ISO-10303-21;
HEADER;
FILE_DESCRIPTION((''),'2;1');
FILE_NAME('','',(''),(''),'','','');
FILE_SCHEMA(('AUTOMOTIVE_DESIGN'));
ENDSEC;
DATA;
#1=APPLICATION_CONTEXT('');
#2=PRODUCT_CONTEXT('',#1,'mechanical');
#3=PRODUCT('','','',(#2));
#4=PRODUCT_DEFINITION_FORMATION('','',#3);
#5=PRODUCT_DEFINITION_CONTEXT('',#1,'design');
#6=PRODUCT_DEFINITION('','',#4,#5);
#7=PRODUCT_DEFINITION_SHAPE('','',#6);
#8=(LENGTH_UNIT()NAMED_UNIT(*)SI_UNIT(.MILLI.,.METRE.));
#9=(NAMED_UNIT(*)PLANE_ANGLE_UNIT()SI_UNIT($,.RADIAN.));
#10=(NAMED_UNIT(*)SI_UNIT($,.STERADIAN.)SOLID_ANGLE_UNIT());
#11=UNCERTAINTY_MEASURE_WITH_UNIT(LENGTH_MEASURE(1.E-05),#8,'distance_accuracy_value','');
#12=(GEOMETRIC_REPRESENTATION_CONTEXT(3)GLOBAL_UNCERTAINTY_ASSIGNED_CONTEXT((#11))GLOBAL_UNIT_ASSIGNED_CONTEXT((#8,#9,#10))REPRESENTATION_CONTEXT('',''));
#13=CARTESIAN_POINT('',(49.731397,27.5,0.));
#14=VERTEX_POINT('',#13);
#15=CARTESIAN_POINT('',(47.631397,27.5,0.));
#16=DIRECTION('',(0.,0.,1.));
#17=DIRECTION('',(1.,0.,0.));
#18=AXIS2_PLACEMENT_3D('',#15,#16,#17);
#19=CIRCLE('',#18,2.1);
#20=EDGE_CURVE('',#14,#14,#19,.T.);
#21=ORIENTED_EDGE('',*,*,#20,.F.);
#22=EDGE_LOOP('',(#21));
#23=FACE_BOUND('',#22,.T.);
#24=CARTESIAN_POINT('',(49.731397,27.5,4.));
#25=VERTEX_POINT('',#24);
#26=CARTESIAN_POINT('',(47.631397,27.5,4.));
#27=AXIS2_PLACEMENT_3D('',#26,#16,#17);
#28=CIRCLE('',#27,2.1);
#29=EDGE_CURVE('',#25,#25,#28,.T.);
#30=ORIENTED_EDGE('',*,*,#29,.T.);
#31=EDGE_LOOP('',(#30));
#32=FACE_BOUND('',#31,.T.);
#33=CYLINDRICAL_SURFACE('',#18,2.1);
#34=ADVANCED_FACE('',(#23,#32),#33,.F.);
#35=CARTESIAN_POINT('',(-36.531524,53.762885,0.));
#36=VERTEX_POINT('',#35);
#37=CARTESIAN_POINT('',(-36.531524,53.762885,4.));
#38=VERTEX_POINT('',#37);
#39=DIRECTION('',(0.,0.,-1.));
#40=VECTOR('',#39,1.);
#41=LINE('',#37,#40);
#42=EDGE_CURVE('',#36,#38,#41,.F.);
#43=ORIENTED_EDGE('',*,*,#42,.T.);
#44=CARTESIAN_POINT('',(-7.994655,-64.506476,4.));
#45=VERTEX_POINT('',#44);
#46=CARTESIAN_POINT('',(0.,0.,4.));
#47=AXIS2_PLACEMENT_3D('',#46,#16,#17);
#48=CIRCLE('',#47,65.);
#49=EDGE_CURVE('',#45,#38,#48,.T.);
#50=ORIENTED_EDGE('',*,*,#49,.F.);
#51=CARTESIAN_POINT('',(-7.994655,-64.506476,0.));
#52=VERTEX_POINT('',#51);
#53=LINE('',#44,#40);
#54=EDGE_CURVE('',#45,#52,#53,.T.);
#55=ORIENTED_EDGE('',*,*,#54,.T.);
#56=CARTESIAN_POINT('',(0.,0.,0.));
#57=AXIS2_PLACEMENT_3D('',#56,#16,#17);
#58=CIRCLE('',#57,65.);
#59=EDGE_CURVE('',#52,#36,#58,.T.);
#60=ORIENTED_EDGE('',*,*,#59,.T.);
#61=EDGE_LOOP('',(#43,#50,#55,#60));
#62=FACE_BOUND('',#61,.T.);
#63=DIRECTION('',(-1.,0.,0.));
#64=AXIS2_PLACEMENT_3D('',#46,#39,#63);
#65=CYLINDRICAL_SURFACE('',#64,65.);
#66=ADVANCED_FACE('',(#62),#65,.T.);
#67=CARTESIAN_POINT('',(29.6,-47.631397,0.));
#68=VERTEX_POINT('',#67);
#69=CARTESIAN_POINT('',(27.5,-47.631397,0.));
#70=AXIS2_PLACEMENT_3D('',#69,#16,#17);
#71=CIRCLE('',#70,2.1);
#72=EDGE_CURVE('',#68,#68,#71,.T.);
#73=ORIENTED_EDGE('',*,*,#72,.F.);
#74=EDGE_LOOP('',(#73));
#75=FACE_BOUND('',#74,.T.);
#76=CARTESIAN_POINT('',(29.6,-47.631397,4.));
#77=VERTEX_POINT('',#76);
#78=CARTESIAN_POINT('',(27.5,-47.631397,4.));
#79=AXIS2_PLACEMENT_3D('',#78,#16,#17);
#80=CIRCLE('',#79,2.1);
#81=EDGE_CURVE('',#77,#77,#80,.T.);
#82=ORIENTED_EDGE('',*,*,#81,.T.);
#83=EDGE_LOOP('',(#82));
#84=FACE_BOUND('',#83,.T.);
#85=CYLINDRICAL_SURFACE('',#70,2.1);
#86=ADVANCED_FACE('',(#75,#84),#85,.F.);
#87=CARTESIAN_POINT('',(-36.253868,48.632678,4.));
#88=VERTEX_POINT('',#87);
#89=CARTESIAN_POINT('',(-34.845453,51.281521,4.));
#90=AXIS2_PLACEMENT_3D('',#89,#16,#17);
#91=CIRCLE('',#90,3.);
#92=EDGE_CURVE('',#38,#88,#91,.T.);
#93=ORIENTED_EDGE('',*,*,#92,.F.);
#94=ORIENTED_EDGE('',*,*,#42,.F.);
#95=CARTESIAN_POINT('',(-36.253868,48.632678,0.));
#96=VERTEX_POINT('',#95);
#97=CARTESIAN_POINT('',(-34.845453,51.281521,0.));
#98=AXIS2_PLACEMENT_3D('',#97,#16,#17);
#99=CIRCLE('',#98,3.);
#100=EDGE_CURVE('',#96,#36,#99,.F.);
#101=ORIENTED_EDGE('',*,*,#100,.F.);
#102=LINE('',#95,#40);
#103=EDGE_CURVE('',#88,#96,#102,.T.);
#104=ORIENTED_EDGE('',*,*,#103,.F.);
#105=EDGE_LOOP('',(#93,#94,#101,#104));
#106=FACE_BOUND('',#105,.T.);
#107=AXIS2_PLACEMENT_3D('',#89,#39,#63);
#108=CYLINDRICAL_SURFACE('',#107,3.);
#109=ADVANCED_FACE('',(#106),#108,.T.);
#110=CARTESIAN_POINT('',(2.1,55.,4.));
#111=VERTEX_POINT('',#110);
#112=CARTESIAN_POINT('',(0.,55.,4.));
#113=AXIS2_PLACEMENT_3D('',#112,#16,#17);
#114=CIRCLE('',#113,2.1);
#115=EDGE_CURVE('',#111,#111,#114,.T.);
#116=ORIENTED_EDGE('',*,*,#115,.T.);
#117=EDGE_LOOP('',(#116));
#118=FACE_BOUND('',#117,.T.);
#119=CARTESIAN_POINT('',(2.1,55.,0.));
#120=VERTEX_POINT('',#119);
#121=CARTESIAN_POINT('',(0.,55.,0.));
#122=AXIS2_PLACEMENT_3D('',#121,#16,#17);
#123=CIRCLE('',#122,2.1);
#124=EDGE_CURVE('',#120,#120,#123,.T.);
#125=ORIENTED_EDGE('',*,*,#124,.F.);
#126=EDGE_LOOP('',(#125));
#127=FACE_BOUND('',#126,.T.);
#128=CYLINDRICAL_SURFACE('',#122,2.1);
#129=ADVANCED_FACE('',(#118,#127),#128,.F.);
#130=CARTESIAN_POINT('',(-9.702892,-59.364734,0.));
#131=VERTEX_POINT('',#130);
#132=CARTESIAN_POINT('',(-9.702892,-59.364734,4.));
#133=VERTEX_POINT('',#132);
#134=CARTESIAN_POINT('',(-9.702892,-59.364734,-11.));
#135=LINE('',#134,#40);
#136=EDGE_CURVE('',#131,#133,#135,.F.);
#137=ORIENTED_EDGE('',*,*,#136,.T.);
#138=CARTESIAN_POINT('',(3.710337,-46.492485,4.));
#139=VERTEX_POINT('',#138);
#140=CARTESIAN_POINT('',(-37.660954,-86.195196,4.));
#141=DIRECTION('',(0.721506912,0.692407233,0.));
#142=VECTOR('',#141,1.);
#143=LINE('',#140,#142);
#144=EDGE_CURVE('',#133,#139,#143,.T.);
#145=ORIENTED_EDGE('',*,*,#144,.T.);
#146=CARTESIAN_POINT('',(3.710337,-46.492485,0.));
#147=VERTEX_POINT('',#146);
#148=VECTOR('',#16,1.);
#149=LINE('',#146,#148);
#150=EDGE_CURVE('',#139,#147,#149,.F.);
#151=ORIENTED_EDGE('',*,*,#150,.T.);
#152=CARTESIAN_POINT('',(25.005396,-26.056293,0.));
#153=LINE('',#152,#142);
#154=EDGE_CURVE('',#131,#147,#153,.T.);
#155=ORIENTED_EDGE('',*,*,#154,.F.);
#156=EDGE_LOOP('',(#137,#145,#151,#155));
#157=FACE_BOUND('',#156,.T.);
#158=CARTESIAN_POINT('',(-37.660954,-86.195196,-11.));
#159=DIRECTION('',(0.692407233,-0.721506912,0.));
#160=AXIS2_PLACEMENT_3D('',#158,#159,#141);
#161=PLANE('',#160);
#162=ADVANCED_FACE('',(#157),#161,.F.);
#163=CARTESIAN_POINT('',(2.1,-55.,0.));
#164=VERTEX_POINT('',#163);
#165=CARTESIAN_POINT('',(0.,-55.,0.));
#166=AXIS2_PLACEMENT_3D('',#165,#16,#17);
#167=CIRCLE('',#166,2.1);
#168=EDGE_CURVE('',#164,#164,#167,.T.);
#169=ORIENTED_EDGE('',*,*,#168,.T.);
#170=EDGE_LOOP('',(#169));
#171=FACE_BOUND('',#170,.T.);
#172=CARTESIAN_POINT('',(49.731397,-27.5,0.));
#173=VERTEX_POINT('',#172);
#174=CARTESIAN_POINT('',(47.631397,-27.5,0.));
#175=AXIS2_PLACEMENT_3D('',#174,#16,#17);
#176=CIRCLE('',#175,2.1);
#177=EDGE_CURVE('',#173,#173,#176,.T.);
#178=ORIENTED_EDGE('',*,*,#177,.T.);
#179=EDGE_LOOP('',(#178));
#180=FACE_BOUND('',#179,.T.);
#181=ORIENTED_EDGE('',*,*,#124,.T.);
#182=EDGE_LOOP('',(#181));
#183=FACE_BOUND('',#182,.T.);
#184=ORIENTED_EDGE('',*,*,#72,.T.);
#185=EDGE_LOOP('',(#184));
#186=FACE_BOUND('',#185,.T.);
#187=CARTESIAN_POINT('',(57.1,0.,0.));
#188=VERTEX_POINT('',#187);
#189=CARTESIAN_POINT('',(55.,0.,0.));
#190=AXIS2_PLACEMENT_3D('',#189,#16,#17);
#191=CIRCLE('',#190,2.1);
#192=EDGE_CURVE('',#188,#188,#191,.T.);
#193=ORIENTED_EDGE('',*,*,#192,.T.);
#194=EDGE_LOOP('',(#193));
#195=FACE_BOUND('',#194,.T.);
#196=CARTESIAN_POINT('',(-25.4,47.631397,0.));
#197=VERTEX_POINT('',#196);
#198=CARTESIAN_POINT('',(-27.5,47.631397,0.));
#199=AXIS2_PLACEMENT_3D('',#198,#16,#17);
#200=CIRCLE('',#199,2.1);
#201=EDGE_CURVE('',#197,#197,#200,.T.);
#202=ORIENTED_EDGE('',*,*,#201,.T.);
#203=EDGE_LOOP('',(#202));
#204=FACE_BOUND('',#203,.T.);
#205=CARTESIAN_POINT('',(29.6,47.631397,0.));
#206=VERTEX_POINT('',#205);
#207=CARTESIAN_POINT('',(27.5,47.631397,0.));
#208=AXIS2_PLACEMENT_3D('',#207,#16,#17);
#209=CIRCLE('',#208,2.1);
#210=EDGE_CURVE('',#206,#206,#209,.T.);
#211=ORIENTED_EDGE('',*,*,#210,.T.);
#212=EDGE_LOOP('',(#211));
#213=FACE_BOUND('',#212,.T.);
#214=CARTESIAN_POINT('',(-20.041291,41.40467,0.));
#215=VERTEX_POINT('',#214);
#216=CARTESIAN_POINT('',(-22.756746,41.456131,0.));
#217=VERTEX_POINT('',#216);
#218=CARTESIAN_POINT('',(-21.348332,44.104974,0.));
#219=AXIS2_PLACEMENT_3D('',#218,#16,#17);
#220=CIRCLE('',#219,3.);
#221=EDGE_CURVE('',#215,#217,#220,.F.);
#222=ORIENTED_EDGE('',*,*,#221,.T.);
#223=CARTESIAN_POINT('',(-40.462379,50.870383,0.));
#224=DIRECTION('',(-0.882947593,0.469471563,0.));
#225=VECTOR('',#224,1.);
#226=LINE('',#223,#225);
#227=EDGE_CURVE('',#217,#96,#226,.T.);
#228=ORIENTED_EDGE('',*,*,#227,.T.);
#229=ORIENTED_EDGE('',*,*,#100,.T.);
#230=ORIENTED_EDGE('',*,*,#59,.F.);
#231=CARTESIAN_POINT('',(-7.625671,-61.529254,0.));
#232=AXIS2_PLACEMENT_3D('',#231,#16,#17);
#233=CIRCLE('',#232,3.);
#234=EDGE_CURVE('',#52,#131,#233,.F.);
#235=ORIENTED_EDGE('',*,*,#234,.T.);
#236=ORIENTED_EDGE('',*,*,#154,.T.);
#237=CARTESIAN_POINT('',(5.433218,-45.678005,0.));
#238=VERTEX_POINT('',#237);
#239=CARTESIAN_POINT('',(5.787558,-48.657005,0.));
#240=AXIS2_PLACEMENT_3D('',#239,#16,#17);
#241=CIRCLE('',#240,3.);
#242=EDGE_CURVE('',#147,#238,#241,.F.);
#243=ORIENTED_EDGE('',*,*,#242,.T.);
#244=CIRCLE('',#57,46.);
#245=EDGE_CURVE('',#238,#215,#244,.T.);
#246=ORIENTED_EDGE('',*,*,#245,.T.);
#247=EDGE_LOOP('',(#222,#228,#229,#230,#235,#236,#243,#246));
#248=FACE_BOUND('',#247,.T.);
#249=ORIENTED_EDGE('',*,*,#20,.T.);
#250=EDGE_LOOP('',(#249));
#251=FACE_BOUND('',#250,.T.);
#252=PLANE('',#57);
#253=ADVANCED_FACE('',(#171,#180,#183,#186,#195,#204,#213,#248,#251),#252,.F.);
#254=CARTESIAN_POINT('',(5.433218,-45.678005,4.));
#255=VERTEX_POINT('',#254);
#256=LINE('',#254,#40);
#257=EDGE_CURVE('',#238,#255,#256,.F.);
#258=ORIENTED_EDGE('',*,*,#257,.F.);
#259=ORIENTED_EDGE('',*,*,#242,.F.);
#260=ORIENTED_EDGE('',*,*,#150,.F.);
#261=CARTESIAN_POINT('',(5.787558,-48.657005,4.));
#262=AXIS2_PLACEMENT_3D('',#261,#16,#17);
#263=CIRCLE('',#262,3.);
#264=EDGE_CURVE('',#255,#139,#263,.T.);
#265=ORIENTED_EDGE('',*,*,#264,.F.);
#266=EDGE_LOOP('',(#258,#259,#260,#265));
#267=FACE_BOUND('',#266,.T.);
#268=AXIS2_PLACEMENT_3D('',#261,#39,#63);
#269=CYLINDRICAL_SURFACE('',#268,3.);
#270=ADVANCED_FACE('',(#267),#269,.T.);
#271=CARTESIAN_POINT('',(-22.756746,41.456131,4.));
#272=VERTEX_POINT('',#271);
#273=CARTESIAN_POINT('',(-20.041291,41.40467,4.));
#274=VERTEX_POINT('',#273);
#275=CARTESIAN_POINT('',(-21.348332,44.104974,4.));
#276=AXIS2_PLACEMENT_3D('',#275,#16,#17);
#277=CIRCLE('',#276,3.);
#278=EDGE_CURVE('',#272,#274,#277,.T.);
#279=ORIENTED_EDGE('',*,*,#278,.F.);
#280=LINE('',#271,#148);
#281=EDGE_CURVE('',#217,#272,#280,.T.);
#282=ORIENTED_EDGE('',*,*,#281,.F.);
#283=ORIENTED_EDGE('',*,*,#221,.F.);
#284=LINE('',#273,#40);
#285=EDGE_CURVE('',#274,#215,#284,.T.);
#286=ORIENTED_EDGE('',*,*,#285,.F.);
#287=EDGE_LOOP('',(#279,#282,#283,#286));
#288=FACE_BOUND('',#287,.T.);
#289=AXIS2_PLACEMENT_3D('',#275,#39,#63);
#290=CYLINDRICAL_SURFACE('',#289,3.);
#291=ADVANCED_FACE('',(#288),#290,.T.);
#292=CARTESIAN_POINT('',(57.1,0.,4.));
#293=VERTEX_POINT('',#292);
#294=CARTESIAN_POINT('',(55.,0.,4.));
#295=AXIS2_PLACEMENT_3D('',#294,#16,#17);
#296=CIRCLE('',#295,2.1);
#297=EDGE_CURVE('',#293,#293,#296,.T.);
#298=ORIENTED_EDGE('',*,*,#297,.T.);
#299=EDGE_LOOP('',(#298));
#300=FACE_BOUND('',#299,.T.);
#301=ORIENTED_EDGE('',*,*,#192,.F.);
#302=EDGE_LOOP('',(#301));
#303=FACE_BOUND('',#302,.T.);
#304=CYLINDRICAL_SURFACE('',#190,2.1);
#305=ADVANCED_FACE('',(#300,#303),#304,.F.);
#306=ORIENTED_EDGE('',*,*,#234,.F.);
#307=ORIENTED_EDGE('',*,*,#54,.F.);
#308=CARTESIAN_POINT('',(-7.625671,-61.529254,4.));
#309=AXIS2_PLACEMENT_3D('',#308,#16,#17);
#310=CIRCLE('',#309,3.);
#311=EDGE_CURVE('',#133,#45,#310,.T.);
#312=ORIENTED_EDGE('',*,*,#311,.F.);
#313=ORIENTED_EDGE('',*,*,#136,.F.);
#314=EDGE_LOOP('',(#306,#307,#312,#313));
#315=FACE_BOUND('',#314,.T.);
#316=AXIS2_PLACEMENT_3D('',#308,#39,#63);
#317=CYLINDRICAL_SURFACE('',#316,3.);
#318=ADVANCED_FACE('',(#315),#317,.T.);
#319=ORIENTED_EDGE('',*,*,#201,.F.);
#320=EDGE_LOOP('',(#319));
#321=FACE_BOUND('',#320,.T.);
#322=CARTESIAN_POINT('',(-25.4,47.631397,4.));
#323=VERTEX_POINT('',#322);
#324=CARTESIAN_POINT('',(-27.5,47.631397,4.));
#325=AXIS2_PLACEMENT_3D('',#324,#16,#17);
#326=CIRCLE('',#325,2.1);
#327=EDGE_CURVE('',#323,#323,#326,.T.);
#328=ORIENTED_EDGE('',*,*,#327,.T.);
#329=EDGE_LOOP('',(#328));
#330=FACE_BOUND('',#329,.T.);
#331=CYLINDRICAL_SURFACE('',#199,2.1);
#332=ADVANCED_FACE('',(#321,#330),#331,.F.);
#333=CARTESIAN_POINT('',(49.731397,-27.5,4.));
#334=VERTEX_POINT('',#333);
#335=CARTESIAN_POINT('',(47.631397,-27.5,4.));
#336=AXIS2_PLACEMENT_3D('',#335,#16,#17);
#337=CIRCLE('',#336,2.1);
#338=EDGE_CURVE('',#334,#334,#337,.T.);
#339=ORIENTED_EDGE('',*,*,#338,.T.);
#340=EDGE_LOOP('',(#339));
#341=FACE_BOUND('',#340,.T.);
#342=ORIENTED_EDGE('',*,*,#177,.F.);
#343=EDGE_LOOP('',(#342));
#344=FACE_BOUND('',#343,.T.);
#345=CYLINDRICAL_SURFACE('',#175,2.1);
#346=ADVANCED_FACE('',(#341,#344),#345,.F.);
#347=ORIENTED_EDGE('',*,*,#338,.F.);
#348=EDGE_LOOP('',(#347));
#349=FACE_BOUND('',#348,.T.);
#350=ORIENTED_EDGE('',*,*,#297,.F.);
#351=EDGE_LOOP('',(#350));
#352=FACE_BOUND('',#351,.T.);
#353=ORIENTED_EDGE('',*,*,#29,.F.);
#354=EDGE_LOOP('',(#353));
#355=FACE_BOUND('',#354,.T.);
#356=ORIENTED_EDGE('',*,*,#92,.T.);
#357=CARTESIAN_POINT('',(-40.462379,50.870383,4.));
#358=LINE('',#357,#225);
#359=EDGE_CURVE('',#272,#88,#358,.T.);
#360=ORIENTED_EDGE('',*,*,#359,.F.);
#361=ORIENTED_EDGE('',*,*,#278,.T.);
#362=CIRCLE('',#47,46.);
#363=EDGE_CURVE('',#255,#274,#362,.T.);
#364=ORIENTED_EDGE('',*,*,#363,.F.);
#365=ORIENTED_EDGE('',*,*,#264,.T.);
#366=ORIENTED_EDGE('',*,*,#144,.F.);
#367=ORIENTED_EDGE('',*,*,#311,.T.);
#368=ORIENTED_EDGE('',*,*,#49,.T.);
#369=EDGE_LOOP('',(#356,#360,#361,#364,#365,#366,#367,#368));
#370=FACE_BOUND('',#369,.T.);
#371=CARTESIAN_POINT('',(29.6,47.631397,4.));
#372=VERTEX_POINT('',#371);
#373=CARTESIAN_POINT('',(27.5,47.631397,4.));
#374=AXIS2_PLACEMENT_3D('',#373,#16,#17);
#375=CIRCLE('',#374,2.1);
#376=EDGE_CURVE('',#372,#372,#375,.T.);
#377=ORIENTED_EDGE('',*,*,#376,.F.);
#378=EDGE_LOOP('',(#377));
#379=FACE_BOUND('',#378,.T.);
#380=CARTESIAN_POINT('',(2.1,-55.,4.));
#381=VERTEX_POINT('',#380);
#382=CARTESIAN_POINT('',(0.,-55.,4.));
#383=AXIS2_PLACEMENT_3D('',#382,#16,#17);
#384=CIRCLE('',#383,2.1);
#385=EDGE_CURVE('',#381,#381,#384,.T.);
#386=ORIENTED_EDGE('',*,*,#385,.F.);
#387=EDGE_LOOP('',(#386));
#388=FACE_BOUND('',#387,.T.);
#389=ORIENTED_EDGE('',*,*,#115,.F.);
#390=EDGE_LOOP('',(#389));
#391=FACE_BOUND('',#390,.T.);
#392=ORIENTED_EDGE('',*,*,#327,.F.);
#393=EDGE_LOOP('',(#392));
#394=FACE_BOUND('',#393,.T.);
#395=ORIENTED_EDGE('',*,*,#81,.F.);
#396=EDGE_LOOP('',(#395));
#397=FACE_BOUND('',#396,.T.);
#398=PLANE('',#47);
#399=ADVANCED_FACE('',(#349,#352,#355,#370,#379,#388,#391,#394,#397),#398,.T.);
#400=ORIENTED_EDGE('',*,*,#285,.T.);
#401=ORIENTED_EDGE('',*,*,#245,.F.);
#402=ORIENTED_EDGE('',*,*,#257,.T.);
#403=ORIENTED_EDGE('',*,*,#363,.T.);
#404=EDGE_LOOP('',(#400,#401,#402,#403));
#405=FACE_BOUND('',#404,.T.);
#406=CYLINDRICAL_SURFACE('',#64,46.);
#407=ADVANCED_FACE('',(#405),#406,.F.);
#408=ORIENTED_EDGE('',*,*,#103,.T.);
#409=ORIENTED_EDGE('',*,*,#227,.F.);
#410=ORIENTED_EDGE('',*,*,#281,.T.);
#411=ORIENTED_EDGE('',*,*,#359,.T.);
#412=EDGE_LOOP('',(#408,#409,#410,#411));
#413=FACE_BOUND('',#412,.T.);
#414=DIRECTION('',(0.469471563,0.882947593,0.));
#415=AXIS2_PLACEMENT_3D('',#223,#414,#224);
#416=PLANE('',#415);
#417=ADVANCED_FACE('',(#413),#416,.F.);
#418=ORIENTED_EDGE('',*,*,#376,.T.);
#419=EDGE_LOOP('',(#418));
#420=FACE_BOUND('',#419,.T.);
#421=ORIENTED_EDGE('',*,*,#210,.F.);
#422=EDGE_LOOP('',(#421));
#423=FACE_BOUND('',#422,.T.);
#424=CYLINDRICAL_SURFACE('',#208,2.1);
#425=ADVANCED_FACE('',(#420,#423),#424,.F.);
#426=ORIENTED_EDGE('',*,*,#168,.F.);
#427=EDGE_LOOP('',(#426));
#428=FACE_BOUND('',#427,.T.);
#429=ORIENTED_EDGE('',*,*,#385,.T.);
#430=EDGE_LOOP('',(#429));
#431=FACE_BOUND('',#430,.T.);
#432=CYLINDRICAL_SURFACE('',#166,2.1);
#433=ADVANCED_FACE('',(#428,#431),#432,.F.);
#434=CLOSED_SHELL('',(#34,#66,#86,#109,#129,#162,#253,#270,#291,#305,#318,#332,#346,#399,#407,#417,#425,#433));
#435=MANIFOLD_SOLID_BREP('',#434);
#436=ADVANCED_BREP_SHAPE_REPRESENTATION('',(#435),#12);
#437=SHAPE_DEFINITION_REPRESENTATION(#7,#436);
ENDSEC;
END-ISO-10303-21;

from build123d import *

# Parameters (mm, degrees)
SKETCH_1_R          = 65
SKETCH_1_R_2        = 46
EXTRUDE_1_DEPTH     = 4
SKETCH_2_R          = 2.1
CUT_EXTRUDE_1_DEPTH = 4
CUT_EXTRUDE_START   = -4
CUT_EXTRUDE_2_DEPTH = 4
FILLET_1_R          = 3
CUT_EXTRUDE_START_2 = -15
CUT_EXTRUDE_3_DEPTH = 15
FILLET_2_R          = 3


with BuildPart() as part:
    # 草图1 → 凸台-拉伸1 (new body)
    with BuildSketch(Plane.XY):
        Circle(SKETCH_1_R)
        Circle(SKETCH_1_R_2, mode=Mode.SUBTRACT)
    extrude(amount=EXTRUDE_1_DEPTH)

    # 草图2 → 切除-拉伸1 (cut)
    with BuildSketch(Plane.XY.offset(4)):
        with Locations((0, 55)):
            Circle(SKETCH_2_R)
        with Locations((27.5, 47.631397208)):
            Circle(SKETCH_2_R)
        with Locations((47.631397208, 27.5)):
            Circle(SKETCH_2_R)
        with Locations((55, 0)):
            Circle(SKETCH_2_R)
        with Locations((47.631397208, -27.5)):
            Circle(SKETCH_2_R)
        with Locations((27.5, -47.631397208)):
            Circle(SKETCH_2_R)
        with Locations((0, -55)):
            Circle(SKETCH_2_R)
        with Locations((-27.5, -47.631397208)):
            Circle(SKETCH_2_R)
        with Locations((-47.631397208, -27.5)):
            Circle(SKETCH_2_R)
        with Locations((-55, 0)):
            Circle(SKETCH_2_R)
        with Locations((-47.631397208, 27.5)):
            Circle(SKETCH_2_R)
        with Locations((-27.5, 47.631397208)):
            Circle(SKETCH_2_R)
    extrude(amount=-CUT_EXTRUDE_1_DEPTH, mode=Mode.SUBTRACT)

    # 草图3 → 切除-拉伸2 (cut)
    with BuildSketch(Plane.XY.offset(4).offset(CUT_EXTRUDE_START)):
        with BuildLine():
            Line((-40.462378993, 50.870383193), (27, 15))
            Line((27, 15), (-21.728491376, -61.260694271))
            ThreePointArc((-21.728491376, -61.260694271), (-64.11139308, -10.711175351), (-40.462378993, 50.870383193))
        make_face()
    extrude(amount=CUT_EXTRUDE_2_DEPTH, mode=Mode.SUBTRACT)

    # 圆角1
    fillet_1_edges = [part.edges().sort_by_distance(p)[0] for p in [
        (-11.107555195, -44.638797224, 2),
        (-21.385147835, 40.726839456, 2),
        (-21.728491376, -61.260694271, 2),
        (-40.462378993, 50.870383193, 2),
    ]]
    fillet(fillet_1_edges, radius=FILLET_1_R)

    # 草图4 → 切除-拉伸3 (cut)
    with BuildSketch(Plane.XY.offset(4).offset(CUT_EXTRUDE_START_2)):
        with BuildLine():
            Line((-37.660954125, -86.195196375), (4.448149198, -45.784429326))
            ThreePointArc((4.448149198, -45.784429326), (-2.360891137, -45.939375192), (-9.118175919, -45.087236197))
            ThreePointArc((-9.118175919, -45.087236197), (-10.884781804, -45.266086971), (-12.24083237, -46.412390079))
            Line((-12.24083237, -46.412390079), (-37.660954125, -86.195196375))
        make_face()
    extrude(amount=CUT_EXTRUDE_3_DEPTH, mode=Mode.SUBTRACT)

    # 圆角2
    fillet_2_edges = [part.edges().sort_by_distance(p)[0] for p in [
        (-13.988029274, -63.477043386, 2),
        (4.448149198, -45.784429326, 2),
    ]]
    fillet(fillet_2_edges, radius=FILLET_2_R)


solid = part.part
